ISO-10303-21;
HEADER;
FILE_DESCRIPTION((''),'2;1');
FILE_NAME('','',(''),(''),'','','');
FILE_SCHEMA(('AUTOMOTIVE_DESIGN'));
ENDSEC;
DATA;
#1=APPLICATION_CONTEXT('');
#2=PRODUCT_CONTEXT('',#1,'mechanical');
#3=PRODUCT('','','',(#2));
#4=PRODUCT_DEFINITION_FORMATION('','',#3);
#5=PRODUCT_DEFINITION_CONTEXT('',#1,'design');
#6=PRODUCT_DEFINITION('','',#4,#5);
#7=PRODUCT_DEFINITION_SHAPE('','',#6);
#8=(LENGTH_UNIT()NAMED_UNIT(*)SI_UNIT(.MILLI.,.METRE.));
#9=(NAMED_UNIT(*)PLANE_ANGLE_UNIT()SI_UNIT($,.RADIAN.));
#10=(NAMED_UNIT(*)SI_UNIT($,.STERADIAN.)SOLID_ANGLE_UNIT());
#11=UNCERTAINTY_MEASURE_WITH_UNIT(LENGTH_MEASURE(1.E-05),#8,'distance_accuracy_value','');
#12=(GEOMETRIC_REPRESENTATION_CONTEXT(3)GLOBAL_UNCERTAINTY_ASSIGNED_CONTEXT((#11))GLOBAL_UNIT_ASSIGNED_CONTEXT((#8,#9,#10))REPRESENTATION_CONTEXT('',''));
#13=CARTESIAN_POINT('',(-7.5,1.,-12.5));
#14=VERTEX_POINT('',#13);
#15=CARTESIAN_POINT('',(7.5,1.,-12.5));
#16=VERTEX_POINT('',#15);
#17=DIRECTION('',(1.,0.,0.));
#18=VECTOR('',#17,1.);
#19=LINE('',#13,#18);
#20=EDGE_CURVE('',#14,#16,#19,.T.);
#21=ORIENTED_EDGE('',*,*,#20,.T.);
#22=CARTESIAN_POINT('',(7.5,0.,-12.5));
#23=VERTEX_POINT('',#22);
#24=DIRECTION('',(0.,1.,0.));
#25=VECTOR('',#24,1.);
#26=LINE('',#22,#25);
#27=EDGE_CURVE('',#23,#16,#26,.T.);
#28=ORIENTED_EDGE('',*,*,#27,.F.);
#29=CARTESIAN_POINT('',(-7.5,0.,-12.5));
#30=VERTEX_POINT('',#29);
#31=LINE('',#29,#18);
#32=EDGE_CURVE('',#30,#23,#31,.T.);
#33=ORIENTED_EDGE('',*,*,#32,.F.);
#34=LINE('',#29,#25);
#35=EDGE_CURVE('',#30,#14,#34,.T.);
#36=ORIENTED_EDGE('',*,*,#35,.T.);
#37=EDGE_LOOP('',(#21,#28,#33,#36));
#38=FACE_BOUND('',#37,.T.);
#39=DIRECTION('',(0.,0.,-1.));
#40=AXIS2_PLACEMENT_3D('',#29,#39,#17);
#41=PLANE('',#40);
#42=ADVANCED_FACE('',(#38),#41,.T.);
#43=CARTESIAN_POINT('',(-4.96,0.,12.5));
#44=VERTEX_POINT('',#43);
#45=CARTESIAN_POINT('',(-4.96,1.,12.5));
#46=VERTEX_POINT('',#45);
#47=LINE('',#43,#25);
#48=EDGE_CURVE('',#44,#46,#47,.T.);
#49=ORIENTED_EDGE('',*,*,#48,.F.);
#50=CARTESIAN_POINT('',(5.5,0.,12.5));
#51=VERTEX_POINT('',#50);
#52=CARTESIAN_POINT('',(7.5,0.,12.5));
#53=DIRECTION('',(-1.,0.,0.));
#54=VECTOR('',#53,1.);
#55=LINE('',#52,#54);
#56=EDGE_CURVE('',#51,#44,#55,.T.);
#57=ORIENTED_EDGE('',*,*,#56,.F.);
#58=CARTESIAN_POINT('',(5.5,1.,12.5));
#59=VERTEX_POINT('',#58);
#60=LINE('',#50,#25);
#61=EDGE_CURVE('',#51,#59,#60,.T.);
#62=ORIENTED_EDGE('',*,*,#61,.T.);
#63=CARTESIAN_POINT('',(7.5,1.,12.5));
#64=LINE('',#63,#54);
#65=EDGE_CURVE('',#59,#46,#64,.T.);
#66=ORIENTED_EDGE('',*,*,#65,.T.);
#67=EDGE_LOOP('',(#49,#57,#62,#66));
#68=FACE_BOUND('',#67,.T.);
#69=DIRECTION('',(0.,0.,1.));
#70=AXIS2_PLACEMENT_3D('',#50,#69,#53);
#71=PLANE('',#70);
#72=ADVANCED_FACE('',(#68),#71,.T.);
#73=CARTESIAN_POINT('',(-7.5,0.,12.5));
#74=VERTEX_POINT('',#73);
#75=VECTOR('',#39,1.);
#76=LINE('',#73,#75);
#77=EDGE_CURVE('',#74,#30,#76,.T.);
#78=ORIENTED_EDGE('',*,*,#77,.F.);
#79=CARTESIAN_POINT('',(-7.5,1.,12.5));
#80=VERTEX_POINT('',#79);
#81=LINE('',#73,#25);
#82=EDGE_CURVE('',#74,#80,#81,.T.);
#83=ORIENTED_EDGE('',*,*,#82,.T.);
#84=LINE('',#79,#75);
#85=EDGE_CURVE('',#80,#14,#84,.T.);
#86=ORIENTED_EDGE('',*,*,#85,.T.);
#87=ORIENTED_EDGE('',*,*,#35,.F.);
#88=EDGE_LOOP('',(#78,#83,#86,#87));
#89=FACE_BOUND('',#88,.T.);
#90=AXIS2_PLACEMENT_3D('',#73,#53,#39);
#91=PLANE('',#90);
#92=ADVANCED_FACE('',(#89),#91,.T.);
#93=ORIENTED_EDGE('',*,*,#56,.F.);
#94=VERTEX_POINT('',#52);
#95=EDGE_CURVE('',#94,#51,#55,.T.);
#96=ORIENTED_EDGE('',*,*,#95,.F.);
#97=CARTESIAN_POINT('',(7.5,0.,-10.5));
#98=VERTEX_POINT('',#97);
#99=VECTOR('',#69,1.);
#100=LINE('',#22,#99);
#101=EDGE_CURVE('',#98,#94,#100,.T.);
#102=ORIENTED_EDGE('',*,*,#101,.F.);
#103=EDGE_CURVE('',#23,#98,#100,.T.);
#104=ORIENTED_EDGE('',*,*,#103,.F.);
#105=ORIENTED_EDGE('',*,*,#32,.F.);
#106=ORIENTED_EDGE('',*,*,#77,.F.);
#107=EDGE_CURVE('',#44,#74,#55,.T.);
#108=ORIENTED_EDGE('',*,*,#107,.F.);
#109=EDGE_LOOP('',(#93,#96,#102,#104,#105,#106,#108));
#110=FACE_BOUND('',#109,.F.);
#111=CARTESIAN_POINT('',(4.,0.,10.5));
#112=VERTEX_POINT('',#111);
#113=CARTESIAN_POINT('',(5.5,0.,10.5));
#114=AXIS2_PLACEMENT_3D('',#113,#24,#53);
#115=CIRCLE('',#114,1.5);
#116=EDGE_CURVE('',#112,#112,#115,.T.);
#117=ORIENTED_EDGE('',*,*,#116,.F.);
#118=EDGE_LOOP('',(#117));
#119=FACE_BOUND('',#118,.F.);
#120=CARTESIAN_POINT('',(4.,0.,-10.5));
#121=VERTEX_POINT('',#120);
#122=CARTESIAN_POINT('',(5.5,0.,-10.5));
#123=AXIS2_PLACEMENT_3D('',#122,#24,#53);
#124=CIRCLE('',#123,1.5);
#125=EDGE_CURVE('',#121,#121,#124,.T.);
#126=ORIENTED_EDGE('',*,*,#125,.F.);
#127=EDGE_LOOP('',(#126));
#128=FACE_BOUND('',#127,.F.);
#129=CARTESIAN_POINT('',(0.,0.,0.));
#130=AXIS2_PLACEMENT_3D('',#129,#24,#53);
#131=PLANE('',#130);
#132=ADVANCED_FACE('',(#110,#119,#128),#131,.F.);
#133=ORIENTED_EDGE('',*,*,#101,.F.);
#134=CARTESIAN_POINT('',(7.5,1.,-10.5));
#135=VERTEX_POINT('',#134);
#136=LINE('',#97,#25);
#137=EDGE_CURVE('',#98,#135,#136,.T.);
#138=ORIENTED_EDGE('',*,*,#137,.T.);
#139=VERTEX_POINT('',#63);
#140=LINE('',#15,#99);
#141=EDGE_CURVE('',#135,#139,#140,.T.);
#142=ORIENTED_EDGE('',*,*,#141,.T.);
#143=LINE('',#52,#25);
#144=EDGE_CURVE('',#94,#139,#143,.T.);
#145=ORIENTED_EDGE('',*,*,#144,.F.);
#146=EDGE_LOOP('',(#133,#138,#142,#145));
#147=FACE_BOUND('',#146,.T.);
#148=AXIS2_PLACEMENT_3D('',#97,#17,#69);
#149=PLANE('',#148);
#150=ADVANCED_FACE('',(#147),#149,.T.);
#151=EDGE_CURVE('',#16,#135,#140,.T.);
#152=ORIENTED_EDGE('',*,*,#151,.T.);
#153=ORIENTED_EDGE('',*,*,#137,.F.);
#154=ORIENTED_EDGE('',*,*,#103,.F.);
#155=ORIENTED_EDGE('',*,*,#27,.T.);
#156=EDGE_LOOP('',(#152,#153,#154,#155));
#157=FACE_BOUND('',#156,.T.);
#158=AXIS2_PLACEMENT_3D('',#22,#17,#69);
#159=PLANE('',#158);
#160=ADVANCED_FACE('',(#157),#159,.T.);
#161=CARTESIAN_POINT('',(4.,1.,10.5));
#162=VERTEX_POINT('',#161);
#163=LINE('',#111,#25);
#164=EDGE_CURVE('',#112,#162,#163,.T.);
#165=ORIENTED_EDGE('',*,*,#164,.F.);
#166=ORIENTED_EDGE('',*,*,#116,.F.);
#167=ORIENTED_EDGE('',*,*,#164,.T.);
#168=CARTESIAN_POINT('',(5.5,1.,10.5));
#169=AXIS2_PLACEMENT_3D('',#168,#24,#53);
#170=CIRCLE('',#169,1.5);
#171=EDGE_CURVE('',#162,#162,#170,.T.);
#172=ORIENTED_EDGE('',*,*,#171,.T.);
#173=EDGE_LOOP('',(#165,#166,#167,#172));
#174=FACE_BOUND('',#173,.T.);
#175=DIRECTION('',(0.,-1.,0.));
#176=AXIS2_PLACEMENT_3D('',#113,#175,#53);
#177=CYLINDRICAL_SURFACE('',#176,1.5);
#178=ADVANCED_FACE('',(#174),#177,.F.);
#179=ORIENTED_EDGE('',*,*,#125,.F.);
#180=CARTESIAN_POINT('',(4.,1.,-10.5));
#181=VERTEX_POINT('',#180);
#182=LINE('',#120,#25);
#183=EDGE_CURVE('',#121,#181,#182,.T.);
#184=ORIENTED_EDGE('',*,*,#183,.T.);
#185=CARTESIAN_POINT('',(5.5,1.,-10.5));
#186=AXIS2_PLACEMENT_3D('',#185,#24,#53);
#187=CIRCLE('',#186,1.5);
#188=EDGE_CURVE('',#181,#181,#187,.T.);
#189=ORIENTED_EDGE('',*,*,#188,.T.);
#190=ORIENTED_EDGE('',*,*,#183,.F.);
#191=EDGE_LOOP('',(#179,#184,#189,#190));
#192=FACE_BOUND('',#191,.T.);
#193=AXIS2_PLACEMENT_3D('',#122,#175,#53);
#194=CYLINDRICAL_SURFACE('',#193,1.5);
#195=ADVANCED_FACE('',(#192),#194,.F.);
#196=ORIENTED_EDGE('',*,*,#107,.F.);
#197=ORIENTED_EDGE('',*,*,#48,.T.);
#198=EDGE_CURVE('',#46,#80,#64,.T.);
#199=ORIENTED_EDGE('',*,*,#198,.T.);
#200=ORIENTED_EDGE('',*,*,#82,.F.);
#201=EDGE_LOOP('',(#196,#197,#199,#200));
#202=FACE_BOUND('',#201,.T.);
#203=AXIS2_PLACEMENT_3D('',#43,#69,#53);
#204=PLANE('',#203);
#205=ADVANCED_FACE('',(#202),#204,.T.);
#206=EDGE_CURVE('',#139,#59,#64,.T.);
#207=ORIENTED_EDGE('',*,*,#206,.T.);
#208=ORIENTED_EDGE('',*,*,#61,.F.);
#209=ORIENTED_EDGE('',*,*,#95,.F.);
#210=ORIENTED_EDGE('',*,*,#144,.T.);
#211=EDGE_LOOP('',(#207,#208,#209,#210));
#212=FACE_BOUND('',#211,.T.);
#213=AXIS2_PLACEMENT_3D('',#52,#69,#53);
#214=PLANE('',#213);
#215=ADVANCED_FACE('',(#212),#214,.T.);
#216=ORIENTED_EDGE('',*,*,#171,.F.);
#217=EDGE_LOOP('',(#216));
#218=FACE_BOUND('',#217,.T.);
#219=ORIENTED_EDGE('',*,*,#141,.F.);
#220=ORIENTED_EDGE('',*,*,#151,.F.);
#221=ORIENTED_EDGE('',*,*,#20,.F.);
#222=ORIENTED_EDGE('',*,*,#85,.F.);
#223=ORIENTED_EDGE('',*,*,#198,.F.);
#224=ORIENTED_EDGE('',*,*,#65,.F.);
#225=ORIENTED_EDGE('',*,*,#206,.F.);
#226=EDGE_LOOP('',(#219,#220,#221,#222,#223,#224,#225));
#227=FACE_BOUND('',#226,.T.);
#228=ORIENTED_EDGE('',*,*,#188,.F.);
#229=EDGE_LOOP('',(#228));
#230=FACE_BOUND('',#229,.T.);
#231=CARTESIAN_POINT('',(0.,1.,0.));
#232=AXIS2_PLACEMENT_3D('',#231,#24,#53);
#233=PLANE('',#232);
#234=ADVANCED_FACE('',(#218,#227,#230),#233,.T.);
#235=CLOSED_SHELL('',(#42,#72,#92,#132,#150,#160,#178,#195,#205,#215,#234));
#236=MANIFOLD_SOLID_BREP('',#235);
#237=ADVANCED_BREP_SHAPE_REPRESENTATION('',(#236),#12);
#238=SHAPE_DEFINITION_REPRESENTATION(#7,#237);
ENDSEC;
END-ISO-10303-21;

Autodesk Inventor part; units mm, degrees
ref_plane "YZ Plane" through (0, 0, 0) normal (1, 0, 0) x (0, 1, 0)
ref_plane "XZ Plane" through (0, 0, 0) normal (0, 1, 0) x (-1, 0, 0)
ref_plane "XY Plane" through (0, 0, 0) normal (0, 0, 1) x (1, 0, 0)
sketch "Sketch1" plane through (0, 0, 0) normal (0, 1, 0) x (-1, 0, 0)
  line L0 (-7.5, 12.5) -> (7.5, 12.5)
  line L1 (7.5, 12.5) -> (7.5, -12.5)
  line L2 (7.5, -12.5) -> (-7.5, -12.5)
  line L3 (-7.5, -12.5) -> (-7.5, 12.5)
  line L4 (-7.5, 12.5) -> (7.5, -12.5) construction
  line L5 (7.5, 12.5) -> (4.96, 12.5)
  line L6 (-7.5, 12.5) -> (-5.5, 12.5)
  circle A0 centre (-5.5, 10.5) radius 1.5
  line L7 (-7.5, -12.5) -> (-7.5, -10.5)
  circle A1 centre (-5.5, -10.5) radius 1.5
  point P0 (0, 0)
  dimension "d0" = 15
  dimension "d1" = 25
  dimension "d9" = 2
  dimension "d11" = 3
  dimension "d12" = 2
  dimension "d14" = 3
extrude "Extrusion1" add sketch "Sketch1" along normal blind 1
properties part number "Compass"
